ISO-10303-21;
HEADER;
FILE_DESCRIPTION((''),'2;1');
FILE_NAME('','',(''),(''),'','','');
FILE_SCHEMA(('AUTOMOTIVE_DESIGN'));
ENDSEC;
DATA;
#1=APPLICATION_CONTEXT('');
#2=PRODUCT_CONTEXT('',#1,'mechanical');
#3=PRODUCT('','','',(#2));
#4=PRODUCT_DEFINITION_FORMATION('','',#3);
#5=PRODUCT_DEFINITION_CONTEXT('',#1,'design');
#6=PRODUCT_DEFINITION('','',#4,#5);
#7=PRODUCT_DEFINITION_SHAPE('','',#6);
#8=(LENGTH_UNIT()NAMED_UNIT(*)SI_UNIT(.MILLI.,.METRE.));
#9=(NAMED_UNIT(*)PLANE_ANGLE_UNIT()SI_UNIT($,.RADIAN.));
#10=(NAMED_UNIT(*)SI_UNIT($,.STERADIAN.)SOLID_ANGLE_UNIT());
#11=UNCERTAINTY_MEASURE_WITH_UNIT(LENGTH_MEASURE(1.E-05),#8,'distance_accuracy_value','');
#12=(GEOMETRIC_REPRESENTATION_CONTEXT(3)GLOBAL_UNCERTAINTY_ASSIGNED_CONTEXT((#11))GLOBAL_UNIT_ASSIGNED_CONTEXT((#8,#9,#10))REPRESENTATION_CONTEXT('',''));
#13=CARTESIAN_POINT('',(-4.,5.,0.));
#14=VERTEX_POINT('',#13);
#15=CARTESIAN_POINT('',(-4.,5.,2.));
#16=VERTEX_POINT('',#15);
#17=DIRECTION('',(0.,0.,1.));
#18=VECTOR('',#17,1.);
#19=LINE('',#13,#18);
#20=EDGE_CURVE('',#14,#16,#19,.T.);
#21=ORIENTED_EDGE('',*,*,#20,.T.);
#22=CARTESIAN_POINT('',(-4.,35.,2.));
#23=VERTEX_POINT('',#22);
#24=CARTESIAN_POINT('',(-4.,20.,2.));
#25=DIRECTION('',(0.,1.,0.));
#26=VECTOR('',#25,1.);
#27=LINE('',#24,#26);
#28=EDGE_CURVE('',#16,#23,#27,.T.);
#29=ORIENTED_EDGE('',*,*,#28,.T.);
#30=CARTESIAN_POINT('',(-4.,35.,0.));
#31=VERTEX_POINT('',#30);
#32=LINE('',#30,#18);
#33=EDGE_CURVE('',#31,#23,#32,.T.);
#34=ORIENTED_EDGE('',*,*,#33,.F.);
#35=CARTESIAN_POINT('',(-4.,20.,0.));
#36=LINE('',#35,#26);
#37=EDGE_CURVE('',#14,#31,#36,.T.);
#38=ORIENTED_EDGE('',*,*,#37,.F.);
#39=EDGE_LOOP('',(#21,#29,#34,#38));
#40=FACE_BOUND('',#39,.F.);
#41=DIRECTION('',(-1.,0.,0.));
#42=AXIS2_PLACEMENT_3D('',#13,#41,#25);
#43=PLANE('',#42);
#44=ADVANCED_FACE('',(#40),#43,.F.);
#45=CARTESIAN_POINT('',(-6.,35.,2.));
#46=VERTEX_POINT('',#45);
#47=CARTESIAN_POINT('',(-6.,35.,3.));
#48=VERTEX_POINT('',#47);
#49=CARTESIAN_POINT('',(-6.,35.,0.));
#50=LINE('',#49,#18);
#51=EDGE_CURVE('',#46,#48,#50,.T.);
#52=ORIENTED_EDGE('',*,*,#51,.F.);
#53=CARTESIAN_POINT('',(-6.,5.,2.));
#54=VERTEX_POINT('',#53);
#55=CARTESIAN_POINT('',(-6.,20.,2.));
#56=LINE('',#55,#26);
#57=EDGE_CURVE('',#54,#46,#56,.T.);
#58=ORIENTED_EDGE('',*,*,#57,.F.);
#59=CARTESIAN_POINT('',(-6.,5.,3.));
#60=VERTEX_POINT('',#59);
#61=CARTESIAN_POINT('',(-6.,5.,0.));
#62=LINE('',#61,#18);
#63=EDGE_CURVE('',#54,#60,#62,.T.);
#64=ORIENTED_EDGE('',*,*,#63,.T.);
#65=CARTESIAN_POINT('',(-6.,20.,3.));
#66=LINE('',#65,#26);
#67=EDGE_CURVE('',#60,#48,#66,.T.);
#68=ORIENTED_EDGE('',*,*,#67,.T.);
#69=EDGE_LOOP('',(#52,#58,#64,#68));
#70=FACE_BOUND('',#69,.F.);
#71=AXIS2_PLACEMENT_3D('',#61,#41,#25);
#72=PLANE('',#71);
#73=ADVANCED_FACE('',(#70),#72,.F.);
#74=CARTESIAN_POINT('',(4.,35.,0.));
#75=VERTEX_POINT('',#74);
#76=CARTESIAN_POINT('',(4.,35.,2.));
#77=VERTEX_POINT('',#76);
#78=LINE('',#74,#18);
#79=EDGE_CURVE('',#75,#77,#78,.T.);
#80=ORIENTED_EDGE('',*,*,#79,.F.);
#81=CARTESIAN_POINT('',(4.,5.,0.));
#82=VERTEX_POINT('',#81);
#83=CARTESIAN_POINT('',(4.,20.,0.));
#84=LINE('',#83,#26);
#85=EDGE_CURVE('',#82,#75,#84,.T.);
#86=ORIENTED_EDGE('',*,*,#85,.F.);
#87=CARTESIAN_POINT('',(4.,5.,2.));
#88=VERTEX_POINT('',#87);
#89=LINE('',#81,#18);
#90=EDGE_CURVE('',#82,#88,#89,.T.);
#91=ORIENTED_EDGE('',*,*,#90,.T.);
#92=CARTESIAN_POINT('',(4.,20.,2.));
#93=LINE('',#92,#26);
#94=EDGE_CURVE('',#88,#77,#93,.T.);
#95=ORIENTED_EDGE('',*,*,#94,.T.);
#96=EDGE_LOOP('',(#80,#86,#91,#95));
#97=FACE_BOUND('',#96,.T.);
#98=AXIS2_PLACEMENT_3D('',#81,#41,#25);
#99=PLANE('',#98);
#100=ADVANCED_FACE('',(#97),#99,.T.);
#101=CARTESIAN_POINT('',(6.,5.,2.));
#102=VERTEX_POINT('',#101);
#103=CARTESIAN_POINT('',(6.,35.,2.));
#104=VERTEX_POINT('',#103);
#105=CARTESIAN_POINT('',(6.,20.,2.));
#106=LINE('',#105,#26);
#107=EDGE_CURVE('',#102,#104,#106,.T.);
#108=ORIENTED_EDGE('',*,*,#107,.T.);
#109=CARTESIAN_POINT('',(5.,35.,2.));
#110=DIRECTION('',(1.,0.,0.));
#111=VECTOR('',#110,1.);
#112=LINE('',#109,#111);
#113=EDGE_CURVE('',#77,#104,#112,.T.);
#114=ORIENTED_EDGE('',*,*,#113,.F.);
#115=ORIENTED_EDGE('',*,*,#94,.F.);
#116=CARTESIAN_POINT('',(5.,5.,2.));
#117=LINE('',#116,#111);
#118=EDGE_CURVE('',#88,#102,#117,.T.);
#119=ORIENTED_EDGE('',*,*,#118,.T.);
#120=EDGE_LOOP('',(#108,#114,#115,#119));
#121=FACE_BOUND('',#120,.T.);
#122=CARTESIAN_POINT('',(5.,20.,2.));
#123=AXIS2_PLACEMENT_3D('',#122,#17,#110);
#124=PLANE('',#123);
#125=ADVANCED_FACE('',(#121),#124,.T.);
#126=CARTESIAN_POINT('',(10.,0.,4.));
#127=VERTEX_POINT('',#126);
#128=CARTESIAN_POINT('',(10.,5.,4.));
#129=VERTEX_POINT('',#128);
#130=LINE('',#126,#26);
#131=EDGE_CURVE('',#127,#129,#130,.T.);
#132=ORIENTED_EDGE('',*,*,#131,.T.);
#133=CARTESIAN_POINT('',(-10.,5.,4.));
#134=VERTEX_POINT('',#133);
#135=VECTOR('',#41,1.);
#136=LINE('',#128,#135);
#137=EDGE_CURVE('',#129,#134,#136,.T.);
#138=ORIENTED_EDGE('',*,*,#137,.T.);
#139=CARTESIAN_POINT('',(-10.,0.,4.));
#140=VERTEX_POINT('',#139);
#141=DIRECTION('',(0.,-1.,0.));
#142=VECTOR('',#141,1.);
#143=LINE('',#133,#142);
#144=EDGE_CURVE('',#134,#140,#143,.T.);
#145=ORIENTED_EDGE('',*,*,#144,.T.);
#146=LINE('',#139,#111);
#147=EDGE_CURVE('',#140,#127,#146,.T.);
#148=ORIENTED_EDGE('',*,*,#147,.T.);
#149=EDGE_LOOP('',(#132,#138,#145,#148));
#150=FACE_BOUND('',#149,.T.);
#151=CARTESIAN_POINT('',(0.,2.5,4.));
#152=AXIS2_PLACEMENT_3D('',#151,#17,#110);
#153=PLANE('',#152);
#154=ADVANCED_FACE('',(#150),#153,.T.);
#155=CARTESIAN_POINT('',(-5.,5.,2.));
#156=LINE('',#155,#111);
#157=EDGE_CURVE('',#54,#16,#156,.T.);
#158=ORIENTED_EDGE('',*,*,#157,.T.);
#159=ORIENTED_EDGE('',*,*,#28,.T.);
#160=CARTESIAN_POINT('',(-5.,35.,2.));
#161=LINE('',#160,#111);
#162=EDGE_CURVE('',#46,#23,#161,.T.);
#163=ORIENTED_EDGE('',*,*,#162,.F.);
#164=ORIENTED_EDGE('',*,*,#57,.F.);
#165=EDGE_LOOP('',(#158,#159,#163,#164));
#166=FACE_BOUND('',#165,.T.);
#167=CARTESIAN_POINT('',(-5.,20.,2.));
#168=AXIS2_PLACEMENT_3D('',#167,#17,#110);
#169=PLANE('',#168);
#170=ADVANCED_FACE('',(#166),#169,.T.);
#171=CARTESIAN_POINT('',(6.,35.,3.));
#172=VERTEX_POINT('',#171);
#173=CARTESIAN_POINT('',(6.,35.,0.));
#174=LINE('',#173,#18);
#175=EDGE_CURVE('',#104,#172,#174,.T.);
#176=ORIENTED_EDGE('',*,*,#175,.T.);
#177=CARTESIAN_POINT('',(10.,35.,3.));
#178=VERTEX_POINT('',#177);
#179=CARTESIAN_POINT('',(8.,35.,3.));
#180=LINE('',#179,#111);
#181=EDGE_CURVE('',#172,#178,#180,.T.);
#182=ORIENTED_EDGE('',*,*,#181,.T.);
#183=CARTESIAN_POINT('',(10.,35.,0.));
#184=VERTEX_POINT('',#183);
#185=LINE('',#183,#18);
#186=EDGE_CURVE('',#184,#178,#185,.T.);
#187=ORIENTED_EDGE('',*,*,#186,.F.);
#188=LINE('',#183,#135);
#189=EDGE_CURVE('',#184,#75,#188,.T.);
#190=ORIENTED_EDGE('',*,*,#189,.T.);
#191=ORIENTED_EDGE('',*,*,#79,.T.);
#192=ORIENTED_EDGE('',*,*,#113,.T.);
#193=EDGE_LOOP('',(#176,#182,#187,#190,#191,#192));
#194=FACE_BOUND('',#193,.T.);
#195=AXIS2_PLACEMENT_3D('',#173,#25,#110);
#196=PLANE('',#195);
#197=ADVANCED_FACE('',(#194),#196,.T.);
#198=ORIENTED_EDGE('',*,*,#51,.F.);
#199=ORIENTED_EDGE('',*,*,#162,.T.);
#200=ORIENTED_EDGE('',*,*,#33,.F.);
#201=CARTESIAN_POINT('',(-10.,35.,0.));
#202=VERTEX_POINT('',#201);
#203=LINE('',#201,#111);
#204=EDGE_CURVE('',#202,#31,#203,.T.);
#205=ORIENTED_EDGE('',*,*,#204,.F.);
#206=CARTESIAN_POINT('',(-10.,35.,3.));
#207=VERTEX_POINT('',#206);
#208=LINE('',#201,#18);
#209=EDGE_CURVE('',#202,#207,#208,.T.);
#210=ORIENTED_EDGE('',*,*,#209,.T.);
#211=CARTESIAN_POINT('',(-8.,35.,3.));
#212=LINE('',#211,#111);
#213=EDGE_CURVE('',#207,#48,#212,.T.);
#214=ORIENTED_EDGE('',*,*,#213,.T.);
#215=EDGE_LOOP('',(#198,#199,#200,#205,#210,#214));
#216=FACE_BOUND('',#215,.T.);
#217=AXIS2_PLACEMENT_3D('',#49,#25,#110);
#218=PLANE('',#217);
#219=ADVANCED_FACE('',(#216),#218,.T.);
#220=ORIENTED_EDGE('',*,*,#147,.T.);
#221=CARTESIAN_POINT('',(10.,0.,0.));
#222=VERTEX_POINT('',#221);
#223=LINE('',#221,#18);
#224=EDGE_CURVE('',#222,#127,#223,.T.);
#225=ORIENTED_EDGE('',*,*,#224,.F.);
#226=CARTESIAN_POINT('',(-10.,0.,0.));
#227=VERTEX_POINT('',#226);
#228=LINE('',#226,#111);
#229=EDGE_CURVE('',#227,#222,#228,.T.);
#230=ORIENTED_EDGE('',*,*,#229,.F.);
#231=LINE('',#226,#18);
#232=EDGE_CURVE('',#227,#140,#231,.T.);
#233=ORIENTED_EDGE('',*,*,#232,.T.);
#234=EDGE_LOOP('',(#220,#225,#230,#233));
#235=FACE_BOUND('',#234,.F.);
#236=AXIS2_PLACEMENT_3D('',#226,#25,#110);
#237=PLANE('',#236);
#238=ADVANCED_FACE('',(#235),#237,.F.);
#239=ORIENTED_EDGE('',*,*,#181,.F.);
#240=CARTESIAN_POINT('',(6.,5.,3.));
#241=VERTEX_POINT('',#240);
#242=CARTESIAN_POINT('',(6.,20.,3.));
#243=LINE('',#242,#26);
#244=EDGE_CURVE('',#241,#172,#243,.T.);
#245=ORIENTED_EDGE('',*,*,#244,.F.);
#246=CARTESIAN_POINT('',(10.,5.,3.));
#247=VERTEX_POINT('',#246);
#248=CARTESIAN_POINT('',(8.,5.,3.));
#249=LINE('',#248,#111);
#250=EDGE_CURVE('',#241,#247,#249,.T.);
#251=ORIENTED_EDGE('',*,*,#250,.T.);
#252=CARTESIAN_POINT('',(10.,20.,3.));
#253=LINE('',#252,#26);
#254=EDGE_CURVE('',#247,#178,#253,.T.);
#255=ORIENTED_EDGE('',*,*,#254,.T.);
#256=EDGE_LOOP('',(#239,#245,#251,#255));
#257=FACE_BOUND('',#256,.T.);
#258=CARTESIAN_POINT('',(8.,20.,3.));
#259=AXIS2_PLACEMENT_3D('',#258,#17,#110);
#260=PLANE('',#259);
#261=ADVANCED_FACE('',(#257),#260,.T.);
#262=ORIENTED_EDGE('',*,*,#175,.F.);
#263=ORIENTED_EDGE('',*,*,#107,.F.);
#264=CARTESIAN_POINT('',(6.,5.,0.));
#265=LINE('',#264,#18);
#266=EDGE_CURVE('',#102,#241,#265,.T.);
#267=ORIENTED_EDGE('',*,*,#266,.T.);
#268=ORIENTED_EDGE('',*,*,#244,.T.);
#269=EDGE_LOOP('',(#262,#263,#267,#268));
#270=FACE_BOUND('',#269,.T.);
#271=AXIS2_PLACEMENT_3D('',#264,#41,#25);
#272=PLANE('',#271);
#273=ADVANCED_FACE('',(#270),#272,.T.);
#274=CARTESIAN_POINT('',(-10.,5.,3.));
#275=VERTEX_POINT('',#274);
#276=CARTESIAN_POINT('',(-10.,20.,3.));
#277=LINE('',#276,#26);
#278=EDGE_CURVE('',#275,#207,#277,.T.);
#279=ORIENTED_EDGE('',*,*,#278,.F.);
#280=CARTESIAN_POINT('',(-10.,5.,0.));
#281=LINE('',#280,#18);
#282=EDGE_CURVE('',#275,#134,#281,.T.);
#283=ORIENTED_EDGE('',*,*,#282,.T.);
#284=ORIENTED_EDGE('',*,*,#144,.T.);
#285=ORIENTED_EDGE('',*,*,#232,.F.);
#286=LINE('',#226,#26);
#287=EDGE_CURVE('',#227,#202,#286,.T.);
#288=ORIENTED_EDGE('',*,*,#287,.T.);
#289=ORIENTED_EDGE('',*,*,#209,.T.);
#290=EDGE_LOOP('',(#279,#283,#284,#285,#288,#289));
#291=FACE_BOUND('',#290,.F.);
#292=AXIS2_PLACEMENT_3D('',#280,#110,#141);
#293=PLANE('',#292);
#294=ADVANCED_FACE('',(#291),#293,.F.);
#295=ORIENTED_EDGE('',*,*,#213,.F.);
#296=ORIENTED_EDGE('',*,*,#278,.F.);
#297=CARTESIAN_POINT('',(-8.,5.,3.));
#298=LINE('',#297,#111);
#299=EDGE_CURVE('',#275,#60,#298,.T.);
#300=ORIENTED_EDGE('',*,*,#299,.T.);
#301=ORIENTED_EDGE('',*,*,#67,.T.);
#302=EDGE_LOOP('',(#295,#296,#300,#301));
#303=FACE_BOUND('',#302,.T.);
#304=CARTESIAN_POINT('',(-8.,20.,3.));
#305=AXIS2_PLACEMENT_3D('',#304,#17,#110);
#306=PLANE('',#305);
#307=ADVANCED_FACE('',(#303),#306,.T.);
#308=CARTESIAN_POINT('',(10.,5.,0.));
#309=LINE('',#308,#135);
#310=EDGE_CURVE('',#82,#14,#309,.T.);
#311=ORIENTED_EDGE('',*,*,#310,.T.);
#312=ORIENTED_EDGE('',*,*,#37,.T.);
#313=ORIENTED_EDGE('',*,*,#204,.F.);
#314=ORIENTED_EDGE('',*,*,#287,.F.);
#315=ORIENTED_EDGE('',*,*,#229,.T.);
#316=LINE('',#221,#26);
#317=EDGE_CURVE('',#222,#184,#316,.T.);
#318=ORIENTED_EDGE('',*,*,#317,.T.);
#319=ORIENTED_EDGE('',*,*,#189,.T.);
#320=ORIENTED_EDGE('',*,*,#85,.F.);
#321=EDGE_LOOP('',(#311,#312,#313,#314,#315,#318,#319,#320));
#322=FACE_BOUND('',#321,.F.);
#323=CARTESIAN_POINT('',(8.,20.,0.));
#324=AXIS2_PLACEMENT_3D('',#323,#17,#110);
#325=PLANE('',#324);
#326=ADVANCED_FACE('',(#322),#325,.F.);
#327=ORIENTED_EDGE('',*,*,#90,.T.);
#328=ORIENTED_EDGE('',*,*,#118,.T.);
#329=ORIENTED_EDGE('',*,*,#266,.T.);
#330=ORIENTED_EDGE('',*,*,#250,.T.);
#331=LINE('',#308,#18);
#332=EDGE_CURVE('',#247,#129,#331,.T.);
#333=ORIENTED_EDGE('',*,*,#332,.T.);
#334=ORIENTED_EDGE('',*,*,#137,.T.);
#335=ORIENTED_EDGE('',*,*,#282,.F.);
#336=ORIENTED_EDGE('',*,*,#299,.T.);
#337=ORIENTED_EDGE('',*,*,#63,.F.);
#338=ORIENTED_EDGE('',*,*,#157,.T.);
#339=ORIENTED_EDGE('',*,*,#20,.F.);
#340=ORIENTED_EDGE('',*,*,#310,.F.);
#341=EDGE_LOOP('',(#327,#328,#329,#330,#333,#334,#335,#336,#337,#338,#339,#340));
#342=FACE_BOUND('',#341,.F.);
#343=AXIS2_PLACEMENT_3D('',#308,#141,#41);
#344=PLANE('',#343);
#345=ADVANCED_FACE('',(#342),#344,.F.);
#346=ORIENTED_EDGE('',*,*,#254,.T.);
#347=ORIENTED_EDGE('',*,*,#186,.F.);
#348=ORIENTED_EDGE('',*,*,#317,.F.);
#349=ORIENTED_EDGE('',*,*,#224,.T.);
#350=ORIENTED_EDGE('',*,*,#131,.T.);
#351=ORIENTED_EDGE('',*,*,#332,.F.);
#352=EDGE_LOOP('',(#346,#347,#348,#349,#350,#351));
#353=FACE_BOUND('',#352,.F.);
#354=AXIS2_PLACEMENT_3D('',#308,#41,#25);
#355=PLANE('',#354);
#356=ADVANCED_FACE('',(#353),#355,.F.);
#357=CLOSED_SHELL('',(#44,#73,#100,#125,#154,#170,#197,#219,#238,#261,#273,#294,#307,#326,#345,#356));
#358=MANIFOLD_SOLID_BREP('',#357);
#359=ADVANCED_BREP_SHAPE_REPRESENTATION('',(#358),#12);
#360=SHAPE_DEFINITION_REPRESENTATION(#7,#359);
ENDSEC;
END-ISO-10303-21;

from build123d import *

# Parameters (mm, degrees)
F1_DEPTH = 4
F0_W     = 2
F0_H     = 30
F2_DEPTH = 2
F0_W_2   = 4
F3_DEPTH = 3


with BuildPart() as f1:
    # F0 (on Top) → F1 (new body)
    with BuildSketch(Plane.XY):
        Polygon((-6, 5), (-10, 5), (-10, 0), (10, 0), (10, 5), (6, 5), (4, 5), (-4, 5), align=None)
    extrude(amount=F1_DEPTH)

    # F0 (on Top) → F2 (join)
    with BuildSketch(Plane.XY):
        with Locations((-5, 20)):
            Rectangle(F0_W, F0_H)
        with Locations((5, 20)):
            Rectangle(F0_W, F0_H)
    extrude(amount=F2_DEPTH)

    # F0 (on Top) → F3 (join)
    with BuildSketch(Plane.XY):
        with Locations((8, 20)):
            Rectangle(F0_W_2, F0_H)
        with Locations((-8, 20)):
            Rectangle(F0_W_2, F0_H)
    extrude(amount=F3_DEPTH)


solid = f1.part
